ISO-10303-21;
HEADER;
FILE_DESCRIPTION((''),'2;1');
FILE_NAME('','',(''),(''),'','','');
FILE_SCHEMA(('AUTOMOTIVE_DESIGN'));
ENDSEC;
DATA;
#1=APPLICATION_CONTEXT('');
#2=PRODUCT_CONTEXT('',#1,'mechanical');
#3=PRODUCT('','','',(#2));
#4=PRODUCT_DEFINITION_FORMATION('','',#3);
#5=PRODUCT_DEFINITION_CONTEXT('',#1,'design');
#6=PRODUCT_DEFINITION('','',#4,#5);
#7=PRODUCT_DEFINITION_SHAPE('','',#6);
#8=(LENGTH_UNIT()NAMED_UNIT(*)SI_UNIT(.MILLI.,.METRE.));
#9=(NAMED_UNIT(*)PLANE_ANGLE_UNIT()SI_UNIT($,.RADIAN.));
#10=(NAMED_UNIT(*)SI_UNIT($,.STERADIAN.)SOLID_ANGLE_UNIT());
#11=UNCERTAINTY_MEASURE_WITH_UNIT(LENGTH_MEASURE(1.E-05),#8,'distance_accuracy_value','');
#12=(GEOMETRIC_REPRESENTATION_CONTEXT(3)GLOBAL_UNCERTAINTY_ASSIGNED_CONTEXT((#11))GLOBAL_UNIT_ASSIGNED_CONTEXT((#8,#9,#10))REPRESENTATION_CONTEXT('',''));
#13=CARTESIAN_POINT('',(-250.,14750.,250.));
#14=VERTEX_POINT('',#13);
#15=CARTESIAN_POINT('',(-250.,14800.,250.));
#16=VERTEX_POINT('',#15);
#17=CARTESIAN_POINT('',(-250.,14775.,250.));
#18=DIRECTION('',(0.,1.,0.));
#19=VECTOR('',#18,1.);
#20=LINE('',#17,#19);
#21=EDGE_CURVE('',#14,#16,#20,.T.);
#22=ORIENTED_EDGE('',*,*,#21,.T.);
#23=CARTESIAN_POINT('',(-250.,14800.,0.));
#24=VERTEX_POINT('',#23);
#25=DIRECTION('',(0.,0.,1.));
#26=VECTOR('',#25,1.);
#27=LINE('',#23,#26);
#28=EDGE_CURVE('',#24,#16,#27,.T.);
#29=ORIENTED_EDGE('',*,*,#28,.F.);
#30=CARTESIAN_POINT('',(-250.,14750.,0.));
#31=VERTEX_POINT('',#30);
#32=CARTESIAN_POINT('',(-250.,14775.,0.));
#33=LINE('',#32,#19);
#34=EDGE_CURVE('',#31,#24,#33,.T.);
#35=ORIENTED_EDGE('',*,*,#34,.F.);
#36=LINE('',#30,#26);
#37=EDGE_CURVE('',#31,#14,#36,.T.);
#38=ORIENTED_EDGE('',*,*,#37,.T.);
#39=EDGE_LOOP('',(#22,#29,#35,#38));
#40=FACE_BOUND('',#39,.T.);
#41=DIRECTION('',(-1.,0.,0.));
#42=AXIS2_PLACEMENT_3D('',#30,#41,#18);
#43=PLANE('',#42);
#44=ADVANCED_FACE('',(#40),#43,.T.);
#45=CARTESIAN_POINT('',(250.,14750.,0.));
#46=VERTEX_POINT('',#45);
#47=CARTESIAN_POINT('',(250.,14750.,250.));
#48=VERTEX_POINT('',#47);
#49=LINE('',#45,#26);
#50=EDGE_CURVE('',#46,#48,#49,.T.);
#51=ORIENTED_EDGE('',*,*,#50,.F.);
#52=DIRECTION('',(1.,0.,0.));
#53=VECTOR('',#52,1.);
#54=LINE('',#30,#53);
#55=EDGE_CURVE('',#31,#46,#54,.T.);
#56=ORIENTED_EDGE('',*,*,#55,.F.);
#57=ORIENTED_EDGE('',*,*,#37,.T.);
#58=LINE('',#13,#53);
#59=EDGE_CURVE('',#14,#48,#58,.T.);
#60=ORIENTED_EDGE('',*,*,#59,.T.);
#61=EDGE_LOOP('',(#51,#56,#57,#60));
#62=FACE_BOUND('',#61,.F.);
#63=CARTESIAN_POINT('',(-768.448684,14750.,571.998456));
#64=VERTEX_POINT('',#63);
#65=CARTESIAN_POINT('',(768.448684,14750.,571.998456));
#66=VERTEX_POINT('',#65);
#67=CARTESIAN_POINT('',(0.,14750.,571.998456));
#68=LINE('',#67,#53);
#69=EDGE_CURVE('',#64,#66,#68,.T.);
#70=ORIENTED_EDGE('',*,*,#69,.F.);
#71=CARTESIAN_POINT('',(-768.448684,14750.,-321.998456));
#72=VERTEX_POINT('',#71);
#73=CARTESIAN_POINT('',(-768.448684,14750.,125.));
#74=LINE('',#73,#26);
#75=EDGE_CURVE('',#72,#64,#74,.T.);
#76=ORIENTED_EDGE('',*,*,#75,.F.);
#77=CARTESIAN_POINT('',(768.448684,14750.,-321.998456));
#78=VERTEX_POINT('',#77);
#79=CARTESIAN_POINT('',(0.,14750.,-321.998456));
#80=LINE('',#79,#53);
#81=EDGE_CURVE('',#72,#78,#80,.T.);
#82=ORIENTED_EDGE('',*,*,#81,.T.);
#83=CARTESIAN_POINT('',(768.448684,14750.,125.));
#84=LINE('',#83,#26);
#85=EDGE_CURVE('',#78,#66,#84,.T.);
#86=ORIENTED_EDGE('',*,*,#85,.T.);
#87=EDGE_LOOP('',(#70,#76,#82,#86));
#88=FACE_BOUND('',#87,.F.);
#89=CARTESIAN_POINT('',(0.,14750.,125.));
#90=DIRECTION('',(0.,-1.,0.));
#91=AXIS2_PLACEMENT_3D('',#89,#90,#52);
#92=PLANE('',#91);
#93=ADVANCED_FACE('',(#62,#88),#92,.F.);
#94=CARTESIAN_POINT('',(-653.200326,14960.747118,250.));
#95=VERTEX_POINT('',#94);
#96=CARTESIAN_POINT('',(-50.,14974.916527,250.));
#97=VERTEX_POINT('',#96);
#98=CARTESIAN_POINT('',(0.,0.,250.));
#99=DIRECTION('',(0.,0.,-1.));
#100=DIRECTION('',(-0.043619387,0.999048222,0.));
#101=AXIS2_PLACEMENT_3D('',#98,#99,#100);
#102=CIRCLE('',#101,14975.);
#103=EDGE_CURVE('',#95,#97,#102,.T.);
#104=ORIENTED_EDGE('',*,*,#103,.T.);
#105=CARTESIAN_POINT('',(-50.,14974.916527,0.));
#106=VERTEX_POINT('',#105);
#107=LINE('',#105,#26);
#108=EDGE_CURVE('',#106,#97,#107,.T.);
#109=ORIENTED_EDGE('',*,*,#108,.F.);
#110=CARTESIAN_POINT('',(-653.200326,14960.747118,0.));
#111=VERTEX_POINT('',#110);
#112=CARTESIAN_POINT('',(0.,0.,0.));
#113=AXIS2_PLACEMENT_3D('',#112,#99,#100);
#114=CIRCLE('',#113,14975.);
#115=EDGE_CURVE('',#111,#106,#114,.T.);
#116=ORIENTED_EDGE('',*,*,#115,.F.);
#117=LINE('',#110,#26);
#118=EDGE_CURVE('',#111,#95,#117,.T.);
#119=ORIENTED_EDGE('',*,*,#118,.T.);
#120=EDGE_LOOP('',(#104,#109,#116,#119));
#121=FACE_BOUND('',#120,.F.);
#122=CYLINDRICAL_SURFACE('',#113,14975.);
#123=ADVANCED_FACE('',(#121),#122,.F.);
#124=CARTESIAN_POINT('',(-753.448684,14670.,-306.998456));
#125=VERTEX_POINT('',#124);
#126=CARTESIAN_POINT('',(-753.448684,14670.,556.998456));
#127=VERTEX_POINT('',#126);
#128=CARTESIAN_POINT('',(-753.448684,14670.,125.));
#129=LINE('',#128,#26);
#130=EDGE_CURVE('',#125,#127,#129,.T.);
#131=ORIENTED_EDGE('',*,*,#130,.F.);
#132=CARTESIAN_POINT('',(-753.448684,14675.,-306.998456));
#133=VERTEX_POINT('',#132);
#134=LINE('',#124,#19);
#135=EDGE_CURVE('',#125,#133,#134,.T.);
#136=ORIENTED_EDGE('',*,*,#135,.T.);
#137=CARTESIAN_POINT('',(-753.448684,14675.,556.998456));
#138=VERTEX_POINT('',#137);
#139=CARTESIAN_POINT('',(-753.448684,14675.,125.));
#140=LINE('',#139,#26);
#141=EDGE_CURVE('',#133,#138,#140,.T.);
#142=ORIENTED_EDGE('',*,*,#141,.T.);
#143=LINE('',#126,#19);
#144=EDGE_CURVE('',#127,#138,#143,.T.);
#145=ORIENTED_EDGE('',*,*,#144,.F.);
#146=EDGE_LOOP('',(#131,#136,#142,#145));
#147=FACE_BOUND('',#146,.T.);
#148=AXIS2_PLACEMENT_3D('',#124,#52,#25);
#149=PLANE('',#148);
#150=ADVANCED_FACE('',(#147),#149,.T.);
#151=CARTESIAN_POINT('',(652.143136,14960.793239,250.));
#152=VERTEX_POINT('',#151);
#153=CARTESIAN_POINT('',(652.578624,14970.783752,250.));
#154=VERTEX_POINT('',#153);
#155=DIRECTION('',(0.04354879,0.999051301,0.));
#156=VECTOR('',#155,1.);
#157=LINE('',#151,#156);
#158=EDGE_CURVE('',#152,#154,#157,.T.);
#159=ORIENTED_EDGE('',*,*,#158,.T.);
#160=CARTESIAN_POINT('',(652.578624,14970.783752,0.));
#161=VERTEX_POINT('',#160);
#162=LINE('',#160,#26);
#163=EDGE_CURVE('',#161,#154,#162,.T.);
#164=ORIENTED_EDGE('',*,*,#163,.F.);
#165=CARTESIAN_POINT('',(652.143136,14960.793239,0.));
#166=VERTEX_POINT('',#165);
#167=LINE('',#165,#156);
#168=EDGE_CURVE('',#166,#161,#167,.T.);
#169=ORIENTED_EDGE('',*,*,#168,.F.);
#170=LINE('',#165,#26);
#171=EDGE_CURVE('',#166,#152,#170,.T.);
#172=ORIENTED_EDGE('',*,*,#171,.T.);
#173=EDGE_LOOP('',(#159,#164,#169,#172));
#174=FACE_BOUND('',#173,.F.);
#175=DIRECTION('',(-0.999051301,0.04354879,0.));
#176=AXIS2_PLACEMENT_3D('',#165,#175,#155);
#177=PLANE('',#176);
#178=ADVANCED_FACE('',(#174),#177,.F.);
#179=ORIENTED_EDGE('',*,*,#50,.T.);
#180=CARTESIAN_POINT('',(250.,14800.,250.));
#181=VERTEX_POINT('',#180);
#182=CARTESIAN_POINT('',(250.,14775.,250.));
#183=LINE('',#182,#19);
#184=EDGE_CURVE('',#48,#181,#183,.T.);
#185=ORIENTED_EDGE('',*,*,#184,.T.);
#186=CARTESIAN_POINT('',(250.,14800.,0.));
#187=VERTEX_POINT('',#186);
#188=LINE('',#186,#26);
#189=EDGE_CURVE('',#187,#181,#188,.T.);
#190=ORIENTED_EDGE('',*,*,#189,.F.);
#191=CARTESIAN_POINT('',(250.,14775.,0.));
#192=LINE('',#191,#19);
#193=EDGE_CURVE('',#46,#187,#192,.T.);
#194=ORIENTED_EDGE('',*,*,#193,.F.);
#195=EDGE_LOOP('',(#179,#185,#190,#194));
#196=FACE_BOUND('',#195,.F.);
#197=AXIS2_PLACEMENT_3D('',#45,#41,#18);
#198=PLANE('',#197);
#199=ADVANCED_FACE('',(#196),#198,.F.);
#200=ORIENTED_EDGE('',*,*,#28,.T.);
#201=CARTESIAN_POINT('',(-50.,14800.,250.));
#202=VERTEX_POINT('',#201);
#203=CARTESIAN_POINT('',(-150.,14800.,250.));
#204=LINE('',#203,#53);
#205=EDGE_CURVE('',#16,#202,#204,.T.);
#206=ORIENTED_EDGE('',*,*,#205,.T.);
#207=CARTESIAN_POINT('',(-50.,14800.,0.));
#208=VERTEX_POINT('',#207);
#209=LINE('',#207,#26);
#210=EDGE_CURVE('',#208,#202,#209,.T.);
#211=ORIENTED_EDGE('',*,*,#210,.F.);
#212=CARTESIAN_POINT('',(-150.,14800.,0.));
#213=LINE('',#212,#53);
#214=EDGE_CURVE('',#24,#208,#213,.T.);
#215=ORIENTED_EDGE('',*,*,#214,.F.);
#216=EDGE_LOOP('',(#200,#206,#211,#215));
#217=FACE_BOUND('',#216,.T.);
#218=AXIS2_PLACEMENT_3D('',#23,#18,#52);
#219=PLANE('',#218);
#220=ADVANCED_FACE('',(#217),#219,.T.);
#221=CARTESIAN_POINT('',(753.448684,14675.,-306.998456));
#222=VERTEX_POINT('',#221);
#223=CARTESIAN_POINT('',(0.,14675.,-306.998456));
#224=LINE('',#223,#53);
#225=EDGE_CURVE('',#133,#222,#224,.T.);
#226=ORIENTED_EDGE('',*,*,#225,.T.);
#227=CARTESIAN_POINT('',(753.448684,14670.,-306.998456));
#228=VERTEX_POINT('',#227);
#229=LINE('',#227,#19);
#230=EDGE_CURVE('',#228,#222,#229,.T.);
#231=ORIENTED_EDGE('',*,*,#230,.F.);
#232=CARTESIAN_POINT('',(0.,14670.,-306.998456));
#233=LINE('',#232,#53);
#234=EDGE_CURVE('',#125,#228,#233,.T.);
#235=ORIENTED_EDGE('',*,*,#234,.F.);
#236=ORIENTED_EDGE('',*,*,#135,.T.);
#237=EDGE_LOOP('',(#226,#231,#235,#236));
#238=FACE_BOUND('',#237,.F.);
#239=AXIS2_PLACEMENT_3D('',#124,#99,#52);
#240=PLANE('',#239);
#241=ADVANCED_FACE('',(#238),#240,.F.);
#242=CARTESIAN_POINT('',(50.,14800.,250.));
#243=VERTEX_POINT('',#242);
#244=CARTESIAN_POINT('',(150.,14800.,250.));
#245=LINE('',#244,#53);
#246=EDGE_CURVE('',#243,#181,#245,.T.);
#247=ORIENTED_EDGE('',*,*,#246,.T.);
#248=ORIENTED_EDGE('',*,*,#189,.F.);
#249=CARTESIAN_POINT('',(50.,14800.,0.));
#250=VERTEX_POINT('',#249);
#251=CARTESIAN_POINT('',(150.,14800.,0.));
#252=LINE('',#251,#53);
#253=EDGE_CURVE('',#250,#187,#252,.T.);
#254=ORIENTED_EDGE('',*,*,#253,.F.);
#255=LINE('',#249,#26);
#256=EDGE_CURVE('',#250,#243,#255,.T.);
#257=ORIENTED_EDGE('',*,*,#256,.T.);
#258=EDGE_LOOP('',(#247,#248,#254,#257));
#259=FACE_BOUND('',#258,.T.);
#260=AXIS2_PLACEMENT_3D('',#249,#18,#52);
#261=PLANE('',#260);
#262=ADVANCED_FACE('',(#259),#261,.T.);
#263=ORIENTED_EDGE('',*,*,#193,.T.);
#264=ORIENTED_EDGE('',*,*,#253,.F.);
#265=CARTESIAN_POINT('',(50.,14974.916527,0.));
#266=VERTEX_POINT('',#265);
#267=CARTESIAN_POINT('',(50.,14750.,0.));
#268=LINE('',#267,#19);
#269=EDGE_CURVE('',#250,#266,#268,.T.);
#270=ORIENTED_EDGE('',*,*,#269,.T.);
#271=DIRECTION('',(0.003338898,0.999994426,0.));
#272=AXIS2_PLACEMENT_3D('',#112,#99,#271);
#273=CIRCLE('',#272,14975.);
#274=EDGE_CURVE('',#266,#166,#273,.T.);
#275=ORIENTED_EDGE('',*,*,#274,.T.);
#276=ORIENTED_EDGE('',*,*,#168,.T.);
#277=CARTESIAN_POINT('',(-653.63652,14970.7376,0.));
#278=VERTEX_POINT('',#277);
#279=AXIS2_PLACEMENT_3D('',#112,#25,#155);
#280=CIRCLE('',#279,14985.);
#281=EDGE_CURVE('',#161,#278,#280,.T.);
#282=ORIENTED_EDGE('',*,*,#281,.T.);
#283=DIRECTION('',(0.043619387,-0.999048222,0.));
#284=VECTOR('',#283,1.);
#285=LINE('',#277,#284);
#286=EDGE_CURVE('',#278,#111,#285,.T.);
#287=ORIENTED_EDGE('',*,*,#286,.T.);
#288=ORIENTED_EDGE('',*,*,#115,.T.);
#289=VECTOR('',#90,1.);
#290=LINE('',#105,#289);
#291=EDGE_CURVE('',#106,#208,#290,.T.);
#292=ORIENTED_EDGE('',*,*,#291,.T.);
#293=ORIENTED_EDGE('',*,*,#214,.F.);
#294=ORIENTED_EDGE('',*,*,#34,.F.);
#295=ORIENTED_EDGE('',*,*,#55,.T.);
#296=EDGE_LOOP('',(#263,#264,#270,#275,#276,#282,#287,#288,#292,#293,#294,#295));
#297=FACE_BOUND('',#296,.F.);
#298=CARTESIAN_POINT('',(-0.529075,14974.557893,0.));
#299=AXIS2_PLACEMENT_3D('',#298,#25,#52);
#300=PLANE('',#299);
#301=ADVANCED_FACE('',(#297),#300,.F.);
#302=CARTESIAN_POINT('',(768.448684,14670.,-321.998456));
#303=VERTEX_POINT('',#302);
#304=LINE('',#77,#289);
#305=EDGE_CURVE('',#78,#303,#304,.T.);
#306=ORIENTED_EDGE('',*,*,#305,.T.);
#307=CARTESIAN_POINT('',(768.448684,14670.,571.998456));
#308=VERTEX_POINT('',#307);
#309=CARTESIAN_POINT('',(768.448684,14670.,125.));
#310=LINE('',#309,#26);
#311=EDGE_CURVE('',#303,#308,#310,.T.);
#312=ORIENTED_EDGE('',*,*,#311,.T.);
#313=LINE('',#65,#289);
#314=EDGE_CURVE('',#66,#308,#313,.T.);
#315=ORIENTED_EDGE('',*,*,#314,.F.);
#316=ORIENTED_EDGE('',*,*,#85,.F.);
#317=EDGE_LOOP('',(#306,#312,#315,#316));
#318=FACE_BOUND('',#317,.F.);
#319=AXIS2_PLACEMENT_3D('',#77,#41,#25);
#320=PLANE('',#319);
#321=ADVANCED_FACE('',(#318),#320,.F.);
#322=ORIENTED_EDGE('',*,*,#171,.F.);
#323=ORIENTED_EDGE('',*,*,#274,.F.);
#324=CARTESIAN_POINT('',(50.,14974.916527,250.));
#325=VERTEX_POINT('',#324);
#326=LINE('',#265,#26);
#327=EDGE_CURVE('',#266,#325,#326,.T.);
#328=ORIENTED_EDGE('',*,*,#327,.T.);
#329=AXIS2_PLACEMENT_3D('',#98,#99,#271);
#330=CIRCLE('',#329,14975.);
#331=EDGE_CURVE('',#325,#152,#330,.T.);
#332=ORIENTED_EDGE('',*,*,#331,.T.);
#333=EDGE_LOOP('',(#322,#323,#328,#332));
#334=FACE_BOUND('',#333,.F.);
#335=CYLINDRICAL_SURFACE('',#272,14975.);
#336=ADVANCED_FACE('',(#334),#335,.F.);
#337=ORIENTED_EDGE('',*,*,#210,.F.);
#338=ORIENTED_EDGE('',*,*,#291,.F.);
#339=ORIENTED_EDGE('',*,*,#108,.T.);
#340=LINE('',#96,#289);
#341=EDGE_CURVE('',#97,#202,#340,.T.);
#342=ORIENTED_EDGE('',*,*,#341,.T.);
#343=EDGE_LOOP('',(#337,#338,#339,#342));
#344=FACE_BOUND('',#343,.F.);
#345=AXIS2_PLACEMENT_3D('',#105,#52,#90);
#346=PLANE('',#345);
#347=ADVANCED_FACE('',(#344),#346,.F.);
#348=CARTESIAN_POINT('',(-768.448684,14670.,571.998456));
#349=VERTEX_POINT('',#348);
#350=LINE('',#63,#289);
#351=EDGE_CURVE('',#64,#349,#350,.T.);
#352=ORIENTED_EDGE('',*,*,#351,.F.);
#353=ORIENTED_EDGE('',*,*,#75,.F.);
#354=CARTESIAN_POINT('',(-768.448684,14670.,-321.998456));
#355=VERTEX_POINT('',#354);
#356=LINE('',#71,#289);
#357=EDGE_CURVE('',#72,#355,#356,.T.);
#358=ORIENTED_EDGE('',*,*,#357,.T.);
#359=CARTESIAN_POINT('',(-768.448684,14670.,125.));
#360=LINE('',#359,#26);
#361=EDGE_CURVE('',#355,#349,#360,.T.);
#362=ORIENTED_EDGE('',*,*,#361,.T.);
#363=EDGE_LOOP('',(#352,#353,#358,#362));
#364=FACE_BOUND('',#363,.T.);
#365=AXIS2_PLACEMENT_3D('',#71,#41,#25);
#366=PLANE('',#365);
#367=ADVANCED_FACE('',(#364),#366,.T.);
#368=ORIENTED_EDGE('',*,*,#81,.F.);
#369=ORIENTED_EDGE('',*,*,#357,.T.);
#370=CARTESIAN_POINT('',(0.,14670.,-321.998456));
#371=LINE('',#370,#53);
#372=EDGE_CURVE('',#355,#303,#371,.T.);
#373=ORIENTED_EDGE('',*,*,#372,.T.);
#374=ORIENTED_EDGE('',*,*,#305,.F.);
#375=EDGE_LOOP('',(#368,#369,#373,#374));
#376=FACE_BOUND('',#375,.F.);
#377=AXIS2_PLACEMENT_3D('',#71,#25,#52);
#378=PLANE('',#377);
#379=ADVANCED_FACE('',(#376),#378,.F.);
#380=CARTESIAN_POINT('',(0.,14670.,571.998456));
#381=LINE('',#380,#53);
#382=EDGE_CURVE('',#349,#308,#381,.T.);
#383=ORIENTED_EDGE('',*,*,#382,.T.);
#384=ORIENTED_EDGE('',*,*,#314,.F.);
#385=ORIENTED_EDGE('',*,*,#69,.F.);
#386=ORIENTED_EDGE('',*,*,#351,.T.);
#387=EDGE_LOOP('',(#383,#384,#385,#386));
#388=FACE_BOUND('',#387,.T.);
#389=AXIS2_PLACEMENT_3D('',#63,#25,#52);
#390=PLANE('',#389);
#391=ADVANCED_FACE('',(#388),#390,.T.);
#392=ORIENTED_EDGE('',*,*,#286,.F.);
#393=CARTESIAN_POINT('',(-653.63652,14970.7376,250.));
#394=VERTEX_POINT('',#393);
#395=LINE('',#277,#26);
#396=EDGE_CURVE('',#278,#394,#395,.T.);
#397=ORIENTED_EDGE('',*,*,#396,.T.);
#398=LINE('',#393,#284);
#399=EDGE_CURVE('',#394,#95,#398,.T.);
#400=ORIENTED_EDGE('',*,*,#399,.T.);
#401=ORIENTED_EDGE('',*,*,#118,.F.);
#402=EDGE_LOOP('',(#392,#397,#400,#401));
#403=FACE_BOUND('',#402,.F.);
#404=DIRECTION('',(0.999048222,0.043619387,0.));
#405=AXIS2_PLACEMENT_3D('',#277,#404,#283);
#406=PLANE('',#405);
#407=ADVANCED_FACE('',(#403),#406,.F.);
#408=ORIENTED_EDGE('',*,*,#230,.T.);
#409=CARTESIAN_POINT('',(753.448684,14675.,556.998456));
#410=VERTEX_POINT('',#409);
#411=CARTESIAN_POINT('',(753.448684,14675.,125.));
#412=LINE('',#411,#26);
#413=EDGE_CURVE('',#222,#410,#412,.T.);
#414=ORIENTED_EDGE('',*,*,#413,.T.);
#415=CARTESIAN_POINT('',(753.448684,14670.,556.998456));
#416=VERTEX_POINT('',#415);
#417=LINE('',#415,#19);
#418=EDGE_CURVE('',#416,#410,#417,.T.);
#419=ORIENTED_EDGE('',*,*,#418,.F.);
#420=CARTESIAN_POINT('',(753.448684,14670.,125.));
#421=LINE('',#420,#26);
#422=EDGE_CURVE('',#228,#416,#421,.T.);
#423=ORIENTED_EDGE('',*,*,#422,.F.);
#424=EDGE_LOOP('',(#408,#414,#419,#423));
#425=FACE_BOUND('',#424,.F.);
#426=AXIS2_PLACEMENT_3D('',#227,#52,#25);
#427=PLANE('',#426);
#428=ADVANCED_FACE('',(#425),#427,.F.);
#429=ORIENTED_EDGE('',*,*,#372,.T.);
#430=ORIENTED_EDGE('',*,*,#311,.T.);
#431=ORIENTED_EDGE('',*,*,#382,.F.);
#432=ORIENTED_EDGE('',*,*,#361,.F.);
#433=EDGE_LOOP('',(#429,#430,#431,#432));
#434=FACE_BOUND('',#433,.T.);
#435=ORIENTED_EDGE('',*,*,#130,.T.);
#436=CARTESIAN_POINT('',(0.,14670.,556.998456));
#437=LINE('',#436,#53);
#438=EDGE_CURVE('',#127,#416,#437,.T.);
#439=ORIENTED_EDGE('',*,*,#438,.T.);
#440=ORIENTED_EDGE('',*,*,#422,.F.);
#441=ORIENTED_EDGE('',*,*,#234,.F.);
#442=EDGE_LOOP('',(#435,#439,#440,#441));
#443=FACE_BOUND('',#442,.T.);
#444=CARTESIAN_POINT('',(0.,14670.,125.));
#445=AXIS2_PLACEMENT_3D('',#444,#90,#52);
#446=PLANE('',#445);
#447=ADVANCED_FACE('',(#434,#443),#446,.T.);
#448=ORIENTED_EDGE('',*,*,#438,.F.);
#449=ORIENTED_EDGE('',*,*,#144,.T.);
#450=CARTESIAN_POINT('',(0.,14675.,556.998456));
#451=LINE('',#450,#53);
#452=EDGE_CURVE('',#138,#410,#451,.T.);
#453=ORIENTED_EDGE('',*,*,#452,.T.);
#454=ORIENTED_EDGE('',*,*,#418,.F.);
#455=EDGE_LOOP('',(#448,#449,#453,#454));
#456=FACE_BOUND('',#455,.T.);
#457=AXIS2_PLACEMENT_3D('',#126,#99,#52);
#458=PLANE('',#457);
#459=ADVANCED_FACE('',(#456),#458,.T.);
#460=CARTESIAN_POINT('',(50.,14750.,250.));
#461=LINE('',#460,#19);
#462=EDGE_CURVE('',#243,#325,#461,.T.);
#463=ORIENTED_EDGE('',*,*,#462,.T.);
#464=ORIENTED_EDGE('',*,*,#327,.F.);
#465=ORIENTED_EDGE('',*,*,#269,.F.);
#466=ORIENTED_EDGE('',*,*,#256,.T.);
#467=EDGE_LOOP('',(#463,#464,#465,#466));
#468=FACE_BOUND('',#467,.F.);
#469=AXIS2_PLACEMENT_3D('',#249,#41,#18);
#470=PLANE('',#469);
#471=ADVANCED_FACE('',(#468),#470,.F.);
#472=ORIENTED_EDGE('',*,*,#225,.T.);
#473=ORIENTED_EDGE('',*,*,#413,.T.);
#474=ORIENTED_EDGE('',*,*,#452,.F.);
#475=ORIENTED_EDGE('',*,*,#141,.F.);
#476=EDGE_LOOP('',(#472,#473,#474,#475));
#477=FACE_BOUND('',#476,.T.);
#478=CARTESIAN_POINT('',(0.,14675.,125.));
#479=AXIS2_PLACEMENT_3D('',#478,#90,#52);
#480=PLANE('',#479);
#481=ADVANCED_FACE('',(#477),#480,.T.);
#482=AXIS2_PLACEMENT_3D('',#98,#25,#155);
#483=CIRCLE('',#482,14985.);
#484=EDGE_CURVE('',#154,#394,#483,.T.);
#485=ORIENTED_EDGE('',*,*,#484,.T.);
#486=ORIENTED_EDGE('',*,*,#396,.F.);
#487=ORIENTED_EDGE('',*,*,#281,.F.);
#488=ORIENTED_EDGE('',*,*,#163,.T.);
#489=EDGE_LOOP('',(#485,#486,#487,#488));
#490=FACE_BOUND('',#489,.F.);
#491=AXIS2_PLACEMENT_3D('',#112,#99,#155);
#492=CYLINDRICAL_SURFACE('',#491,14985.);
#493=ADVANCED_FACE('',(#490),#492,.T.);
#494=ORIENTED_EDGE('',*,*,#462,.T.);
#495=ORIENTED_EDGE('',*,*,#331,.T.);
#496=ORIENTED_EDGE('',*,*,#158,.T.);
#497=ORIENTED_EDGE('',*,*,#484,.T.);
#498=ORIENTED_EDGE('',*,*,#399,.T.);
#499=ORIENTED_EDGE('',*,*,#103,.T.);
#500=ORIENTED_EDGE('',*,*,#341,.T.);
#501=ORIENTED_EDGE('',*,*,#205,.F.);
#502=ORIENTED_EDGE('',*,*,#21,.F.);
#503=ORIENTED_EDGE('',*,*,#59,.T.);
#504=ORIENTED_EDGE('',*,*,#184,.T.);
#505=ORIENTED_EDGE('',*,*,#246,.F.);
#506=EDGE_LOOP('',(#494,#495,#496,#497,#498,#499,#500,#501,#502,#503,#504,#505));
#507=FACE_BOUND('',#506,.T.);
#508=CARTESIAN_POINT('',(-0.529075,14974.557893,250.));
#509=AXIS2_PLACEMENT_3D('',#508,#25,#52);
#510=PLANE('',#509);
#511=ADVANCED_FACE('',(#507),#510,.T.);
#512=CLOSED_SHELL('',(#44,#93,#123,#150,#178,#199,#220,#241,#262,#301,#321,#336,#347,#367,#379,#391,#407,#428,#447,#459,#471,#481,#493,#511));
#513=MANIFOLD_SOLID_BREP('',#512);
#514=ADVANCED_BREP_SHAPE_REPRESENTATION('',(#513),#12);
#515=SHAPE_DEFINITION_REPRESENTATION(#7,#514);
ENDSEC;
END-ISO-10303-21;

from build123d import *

# Parameters (mm, degrees)
F0_W     = 200
F0_H     = 50
F0_W_2   = 50
F1_DEPTH = 250
F2_W     = 1536.897368713
F2_H     = 893.9969116518
F3_DEPTH = 80
F4_W     = 1506.897368713
F4_H     = 863.9969116518
F5_DEPTH = 5


with BuildPart() as f1:
    # F0 (on Top) → F1 (new body)
    with BuildSketch(Plane.XY):
        with BuildLine():
            ThreePointArc((652.5786238231, 14970.7837516855), (-0.5294510276, 14984.9999906467), (-653.6365196693, 14970.7376004041))
            Line((-653.6365196696, 14970.7376004041), (-653.2003257959, 14960.7471181883))
            ThreePointArc((-653.200325796, 14960.7471181883), (-351.6715336626, 14970.8701194156), (-50, 14974.9165273133))
            ThreePointArc((-50, 14974.9165273133), (-25.0000348384, 14974.9791318138), (0, 14975))
            ThreePointArc((0, 14975), (25.0000348384, 14974.9791318138), (50, 14974.9165273133))
            ThreePointArc((50, 14974.9165273133), (351.1425816533, 14970.8825353534), (652.1431359193, 14960.7932386713))
            Line((652.1431359193, 14960.7932386713), (652.5786238231, 14970.7837516855))
        make_face()
        with BuildLine():
            ThreePointArc((0, 14975), (-25.0000348384, 14974.9791318138), (-50, 14974.9165273133))
            Line((-50, 14974.9165273133), (-50, 14800))
            Line((-50, 14800), (0, 14800))
            Line((0, 14800), (0, 14975))
        make_face()
        with BuildLine():
            Line((50, 14800), (50, 14974.9165273133))
            ThreePointArc((50, 14974.9165273133), (25.0000348384, 14974.9791318138), (0, 14975))
            Line((0, 14975), (0, 14800))
            Line((0, 14800), (50, 14800))
        make_face()
        with Locations((-150, 14775)):
            Rectangle(F0_W, F0_H)
        with Locations((-25, 14775)):
            Rectangle(F0_W_2, F0_H)
        with Locations((25, 14775)):
            Rectangle(F0_W_2, F0_H)
        with Locations((150, 14775)):
            Rectangle(F0_W, F0_H)
    extrude(amount=F1_DEPTH)

    # F2 (on face) → F3 (join)
    with BuildSketch(Plane.XZ.offset(-14750)):
        with Locations((0, 125)):
            Rectangle(F2_W, F2_H)
    extrude(amount=F3_DEPTH)

    # F4 (on face) → F5 (cut)
    with BuildSketch(Plane.XZ.offset(-14670)):
        with Locations((0, 125)):
            Rectangle(F4_W, F4_H)
    extrude(amount=-F5_DEPTH, mode=Mode.SUBTRACT)


solid = f1.part
